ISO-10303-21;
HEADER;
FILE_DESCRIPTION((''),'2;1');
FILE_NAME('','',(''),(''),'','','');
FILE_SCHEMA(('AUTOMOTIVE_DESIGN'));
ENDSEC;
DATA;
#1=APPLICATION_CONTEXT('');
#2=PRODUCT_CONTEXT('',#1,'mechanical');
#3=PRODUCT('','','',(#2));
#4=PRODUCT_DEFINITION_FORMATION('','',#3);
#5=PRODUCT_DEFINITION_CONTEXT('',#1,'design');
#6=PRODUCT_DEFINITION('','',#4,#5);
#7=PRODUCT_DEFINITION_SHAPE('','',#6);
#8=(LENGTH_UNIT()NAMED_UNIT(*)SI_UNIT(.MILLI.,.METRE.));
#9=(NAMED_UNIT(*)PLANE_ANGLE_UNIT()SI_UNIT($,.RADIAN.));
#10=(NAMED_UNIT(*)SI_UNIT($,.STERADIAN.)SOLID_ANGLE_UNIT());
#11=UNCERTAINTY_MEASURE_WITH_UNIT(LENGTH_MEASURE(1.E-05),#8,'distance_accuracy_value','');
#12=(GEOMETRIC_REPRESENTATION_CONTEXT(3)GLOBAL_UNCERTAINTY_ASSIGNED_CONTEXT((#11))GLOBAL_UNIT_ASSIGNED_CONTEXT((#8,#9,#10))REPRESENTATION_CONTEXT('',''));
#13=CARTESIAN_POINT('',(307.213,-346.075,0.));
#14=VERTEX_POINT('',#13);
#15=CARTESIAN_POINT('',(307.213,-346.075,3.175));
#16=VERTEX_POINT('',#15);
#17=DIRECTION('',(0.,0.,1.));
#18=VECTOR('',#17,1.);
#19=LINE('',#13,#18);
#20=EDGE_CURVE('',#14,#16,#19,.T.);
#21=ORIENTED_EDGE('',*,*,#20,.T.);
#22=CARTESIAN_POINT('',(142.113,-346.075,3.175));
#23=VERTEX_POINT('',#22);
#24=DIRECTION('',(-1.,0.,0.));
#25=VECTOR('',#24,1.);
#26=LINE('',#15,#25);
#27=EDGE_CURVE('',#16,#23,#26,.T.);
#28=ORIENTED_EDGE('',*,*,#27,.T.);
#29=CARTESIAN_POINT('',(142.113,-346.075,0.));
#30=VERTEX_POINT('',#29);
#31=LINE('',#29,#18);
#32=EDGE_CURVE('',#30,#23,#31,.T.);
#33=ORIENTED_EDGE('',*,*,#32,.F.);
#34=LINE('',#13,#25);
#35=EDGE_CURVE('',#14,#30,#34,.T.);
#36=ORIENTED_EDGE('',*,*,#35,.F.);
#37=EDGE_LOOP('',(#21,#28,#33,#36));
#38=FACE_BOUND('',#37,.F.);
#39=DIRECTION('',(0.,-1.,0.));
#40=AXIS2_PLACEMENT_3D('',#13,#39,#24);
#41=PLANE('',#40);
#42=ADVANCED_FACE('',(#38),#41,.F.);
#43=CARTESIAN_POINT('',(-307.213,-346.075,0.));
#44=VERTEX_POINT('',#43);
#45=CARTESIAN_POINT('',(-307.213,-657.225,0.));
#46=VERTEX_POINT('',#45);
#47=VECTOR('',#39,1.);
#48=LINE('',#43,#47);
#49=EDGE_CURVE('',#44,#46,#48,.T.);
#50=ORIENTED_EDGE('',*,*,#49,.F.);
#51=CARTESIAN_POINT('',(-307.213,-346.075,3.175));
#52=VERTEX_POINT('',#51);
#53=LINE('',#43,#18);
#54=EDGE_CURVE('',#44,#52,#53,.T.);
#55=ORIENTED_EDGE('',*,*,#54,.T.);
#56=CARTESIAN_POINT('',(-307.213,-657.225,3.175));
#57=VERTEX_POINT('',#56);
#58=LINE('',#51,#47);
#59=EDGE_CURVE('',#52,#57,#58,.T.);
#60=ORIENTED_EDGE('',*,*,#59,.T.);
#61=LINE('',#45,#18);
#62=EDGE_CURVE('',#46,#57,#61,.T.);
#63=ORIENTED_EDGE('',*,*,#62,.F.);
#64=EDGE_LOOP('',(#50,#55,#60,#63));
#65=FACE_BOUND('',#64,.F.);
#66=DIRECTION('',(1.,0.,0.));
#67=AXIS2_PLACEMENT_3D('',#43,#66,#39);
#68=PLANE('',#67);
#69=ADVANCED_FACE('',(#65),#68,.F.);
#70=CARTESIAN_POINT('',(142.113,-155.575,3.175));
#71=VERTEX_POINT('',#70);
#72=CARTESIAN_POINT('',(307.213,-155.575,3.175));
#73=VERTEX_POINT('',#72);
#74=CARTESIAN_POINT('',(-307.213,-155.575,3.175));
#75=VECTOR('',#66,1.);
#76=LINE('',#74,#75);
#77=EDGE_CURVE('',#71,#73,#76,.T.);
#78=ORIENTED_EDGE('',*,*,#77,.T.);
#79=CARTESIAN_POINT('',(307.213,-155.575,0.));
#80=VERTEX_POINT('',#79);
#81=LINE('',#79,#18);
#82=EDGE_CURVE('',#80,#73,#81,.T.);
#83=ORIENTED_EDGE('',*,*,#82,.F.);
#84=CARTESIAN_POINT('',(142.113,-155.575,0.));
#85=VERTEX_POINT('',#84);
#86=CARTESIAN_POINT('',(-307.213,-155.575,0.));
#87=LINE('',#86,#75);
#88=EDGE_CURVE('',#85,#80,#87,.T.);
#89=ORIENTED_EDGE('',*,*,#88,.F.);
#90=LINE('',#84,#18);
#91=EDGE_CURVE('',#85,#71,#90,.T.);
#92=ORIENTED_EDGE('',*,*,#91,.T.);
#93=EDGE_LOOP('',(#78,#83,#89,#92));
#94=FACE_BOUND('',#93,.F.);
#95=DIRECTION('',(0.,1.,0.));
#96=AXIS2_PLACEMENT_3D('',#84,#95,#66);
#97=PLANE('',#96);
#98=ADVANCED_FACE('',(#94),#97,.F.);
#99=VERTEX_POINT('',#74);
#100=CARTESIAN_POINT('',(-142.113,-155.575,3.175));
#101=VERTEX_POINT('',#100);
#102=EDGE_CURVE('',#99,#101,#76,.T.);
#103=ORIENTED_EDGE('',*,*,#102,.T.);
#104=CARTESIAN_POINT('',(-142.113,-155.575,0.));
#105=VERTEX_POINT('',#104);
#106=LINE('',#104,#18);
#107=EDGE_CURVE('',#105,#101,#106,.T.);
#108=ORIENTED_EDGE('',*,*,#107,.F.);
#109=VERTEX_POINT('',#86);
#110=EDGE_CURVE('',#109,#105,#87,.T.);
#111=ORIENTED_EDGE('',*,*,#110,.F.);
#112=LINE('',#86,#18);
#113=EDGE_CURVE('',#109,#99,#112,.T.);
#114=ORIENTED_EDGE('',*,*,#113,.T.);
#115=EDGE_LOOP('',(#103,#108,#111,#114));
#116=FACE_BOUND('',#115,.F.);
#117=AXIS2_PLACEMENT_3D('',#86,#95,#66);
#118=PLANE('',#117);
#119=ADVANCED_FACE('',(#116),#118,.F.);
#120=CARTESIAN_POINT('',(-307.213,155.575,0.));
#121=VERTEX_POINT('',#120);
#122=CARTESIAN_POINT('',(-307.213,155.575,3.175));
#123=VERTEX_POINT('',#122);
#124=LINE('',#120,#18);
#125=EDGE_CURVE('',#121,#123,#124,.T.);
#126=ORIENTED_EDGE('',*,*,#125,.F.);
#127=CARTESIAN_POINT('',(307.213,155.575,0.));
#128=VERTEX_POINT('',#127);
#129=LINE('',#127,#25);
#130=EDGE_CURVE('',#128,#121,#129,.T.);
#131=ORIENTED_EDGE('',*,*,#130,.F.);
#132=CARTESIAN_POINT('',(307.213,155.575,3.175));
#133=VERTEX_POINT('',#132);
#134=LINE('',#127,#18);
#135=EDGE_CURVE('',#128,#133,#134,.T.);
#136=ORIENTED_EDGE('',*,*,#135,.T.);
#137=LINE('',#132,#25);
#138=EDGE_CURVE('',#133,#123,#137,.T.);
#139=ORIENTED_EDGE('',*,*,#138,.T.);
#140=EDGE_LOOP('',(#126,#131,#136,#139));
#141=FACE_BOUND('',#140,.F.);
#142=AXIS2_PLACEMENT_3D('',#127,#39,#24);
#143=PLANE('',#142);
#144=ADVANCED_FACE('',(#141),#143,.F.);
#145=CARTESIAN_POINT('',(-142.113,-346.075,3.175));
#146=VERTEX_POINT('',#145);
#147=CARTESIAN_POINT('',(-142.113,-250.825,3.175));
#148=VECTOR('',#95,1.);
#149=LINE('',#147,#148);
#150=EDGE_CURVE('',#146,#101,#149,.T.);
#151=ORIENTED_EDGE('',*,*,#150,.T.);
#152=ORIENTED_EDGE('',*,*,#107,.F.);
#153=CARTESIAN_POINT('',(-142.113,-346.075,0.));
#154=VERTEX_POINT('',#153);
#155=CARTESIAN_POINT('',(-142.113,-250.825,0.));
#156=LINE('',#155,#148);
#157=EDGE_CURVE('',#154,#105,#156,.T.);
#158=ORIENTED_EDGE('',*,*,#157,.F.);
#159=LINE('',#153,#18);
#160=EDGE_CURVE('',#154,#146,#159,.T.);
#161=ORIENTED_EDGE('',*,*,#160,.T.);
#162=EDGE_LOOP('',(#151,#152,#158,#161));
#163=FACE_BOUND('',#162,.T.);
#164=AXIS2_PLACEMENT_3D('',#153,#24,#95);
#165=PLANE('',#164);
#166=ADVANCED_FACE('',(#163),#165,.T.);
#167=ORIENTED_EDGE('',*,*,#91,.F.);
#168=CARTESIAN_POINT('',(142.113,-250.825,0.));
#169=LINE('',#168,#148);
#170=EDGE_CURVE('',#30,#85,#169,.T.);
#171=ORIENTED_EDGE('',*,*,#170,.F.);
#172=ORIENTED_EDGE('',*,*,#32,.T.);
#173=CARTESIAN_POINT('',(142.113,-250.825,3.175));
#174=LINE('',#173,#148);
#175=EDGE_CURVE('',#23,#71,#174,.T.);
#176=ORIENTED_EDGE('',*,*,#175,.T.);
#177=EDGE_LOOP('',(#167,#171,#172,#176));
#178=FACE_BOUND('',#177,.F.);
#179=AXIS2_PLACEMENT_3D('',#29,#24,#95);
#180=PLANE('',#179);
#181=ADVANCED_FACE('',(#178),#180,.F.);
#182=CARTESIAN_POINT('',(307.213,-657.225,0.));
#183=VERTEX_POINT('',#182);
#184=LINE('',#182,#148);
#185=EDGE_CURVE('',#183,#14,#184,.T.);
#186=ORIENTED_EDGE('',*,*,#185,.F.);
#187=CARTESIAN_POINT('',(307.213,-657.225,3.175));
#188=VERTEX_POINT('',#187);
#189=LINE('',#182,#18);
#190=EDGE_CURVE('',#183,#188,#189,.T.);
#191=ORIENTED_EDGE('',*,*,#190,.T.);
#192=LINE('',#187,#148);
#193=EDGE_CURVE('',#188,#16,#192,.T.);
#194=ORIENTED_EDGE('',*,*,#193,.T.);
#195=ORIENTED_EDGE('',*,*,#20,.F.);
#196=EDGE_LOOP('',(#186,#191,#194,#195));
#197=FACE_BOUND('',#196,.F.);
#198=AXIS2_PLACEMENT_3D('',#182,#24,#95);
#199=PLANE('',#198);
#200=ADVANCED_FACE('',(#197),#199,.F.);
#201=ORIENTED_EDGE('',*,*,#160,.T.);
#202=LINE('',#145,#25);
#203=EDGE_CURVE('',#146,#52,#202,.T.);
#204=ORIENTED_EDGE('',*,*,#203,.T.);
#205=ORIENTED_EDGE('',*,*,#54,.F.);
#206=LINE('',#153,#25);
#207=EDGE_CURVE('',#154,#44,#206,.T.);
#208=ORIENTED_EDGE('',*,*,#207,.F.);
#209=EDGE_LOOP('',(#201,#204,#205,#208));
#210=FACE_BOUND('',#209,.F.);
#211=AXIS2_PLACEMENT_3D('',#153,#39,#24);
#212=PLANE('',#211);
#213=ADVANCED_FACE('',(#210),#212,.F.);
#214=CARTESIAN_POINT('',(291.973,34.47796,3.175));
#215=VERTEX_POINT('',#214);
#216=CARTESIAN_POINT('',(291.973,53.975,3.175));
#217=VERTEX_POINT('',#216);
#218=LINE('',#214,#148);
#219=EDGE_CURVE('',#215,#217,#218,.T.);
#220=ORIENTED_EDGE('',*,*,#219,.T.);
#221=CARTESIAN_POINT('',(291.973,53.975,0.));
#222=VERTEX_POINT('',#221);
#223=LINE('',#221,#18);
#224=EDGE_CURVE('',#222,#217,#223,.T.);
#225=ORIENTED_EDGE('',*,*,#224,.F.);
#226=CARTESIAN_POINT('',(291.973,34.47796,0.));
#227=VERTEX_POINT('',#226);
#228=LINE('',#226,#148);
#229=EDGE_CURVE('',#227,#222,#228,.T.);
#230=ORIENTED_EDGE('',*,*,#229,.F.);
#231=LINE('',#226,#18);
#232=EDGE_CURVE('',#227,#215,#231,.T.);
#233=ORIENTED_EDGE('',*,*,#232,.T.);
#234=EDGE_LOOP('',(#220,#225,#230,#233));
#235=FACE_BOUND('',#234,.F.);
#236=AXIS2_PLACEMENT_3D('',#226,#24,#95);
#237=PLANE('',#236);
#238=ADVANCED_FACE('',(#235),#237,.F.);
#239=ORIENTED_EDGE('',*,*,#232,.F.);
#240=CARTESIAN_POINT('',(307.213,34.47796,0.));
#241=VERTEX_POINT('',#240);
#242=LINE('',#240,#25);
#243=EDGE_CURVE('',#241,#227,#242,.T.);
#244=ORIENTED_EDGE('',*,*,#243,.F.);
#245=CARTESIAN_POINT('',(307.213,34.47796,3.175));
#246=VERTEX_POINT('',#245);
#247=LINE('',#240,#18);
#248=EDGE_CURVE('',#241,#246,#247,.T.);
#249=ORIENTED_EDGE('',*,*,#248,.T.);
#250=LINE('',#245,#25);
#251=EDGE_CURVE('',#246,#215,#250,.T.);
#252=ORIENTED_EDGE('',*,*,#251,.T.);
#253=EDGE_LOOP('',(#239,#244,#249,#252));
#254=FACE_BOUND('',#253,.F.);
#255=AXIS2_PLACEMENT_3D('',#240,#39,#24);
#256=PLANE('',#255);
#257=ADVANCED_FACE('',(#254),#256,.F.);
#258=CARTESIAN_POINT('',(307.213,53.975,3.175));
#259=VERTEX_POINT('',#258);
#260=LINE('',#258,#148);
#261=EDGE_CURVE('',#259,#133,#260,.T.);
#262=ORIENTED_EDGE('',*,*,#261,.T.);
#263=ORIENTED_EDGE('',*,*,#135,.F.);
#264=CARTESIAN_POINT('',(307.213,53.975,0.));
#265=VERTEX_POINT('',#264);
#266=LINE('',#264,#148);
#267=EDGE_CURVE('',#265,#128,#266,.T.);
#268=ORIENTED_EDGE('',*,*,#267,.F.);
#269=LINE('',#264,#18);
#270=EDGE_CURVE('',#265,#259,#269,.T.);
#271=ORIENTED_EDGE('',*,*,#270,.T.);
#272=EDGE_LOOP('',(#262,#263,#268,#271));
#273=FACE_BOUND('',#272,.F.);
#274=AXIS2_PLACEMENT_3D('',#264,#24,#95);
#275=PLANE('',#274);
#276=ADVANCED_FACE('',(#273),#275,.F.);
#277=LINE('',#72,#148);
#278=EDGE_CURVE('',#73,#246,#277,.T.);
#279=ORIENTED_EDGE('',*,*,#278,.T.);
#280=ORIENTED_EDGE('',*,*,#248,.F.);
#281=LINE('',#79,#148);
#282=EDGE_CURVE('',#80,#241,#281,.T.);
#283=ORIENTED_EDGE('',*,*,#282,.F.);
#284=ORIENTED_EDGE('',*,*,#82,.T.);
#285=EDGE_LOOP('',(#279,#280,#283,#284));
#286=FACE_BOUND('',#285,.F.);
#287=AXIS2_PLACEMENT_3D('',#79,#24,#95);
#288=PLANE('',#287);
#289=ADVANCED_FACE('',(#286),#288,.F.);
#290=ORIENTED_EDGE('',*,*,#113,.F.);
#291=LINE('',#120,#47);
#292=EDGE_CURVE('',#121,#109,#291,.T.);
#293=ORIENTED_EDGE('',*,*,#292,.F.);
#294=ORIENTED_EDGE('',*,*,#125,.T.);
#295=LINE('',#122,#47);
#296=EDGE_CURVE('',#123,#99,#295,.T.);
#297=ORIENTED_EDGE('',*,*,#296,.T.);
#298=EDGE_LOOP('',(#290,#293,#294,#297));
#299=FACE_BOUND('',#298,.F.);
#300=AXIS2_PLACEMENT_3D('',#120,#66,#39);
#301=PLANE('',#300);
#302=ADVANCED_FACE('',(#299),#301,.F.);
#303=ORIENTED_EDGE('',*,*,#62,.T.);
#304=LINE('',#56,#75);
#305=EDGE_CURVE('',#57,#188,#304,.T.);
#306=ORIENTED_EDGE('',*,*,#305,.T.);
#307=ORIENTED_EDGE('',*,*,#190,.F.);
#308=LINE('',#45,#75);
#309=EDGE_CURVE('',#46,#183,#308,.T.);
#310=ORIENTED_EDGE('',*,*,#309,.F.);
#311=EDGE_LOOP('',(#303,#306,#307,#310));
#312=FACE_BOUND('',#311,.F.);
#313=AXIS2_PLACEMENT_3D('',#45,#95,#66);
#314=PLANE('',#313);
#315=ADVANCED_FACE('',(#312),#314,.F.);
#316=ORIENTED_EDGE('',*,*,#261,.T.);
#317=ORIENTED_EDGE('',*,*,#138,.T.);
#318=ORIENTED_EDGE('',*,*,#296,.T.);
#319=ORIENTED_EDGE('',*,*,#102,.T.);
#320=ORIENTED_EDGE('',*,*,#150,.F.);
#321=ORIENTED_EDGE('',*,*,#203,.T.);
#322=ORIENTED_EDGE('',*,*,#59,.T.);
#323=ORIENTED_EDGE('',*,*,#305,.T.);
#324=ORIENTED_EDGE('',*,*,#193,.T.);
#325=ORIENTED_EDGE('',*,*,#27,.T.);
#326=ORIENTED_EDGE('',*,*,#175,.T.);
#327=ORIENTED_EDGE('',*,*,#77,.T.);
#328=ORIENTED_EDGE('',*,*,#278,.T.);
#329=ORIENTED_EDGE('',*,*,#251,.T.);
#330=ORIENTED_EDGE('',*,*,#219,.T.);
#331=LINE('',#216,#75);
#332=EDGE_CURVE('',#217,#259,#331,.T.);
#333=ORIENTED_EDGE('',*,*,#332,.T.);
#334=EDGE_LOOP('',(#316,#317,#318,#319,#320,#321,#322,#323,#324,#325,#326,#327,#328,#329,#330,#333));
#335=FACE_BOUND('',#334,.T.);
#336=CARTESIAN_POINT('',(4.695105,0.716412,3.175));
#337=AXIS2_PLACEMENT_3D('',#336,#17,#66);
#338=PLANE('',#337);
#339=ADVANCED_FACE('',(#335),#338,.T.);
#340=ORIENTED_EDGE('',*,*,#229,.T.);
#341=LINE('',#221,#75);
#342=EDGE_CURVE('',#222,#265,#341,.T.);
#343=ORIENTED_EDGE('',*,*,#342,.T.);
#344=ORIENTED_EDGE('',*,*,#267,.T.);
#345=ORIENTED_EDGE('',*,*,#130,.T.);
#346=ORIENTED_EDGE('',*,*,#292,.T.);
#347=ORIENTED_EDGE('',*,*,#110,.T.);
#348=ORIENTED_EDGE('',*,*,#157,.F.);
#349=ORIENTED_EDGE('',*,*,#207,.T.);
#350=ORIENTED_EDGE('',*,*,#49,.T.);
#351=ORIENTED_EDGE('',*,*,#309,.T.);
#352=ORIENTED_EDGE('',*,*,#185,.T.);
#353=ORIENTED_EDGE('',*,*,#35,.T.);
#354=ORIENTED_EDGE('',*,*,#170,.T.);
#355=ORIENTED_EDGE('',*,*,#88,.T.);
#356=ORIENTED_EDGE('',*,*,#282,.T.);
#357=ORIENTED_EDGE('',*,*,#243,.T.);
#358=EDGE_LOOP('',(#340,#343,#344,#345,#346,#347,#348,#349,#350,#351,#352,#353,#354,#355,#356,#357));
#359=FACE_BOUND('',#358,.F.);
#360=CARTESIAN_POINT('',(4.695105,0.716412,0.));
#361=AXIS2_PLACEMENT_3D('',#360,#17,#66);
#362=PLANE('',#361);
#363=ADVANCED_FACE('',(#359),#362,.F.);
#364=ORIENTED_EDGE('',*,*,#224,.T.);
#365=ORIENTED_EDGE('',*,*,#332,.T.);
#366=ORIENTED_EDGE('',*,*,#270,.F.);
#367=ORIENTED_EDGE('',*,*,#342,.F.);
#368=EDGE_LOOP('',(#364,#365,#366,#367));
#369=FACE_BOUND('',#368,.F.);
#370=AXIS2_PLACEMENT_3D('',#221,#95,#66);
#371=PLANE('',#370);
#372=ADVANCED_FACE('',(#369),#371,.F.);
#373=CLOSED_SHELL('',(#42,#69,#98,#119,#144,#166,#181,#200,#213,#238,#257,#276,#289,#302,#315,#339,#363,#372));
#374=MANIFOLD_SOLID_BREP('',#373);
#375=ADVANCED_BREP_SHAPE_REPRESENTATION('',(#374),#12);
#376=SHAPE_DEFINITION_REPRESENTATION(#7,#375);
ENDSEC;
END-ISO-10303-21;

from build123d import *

# Parameters (mm, degrees)
F0_W     = 284.226
F0_H     = 190.5
F1_DEPTH = 3.175


with BuildPart() as f1:
    # F0 (on Top) → F1 (new body)
    with BuildSketch(Plane.XY):
        Polygon((307.213, 53.975), (307.213, 155.575), (-307.213, 155.575), (-307.213, -155.575), (-142.113, -155.575), (142.113, -155.575), (307.213, -155.575), (307.213, 34.47796), (291.973, 34.47796), (291.973, 53.975), align=None)
        with Locations((0, -250.825)):
            Rectangle(F0_W, F0_H)
        Polygon((142.113, -346.075), (-142.113, -346.075), (-307.213, -346.075), (-307.213, -657.225), (307.213, -657.225), (307.213, -346.075), align=None)
    extrude(amount=F1_DEPTH)


solid = f1.part
